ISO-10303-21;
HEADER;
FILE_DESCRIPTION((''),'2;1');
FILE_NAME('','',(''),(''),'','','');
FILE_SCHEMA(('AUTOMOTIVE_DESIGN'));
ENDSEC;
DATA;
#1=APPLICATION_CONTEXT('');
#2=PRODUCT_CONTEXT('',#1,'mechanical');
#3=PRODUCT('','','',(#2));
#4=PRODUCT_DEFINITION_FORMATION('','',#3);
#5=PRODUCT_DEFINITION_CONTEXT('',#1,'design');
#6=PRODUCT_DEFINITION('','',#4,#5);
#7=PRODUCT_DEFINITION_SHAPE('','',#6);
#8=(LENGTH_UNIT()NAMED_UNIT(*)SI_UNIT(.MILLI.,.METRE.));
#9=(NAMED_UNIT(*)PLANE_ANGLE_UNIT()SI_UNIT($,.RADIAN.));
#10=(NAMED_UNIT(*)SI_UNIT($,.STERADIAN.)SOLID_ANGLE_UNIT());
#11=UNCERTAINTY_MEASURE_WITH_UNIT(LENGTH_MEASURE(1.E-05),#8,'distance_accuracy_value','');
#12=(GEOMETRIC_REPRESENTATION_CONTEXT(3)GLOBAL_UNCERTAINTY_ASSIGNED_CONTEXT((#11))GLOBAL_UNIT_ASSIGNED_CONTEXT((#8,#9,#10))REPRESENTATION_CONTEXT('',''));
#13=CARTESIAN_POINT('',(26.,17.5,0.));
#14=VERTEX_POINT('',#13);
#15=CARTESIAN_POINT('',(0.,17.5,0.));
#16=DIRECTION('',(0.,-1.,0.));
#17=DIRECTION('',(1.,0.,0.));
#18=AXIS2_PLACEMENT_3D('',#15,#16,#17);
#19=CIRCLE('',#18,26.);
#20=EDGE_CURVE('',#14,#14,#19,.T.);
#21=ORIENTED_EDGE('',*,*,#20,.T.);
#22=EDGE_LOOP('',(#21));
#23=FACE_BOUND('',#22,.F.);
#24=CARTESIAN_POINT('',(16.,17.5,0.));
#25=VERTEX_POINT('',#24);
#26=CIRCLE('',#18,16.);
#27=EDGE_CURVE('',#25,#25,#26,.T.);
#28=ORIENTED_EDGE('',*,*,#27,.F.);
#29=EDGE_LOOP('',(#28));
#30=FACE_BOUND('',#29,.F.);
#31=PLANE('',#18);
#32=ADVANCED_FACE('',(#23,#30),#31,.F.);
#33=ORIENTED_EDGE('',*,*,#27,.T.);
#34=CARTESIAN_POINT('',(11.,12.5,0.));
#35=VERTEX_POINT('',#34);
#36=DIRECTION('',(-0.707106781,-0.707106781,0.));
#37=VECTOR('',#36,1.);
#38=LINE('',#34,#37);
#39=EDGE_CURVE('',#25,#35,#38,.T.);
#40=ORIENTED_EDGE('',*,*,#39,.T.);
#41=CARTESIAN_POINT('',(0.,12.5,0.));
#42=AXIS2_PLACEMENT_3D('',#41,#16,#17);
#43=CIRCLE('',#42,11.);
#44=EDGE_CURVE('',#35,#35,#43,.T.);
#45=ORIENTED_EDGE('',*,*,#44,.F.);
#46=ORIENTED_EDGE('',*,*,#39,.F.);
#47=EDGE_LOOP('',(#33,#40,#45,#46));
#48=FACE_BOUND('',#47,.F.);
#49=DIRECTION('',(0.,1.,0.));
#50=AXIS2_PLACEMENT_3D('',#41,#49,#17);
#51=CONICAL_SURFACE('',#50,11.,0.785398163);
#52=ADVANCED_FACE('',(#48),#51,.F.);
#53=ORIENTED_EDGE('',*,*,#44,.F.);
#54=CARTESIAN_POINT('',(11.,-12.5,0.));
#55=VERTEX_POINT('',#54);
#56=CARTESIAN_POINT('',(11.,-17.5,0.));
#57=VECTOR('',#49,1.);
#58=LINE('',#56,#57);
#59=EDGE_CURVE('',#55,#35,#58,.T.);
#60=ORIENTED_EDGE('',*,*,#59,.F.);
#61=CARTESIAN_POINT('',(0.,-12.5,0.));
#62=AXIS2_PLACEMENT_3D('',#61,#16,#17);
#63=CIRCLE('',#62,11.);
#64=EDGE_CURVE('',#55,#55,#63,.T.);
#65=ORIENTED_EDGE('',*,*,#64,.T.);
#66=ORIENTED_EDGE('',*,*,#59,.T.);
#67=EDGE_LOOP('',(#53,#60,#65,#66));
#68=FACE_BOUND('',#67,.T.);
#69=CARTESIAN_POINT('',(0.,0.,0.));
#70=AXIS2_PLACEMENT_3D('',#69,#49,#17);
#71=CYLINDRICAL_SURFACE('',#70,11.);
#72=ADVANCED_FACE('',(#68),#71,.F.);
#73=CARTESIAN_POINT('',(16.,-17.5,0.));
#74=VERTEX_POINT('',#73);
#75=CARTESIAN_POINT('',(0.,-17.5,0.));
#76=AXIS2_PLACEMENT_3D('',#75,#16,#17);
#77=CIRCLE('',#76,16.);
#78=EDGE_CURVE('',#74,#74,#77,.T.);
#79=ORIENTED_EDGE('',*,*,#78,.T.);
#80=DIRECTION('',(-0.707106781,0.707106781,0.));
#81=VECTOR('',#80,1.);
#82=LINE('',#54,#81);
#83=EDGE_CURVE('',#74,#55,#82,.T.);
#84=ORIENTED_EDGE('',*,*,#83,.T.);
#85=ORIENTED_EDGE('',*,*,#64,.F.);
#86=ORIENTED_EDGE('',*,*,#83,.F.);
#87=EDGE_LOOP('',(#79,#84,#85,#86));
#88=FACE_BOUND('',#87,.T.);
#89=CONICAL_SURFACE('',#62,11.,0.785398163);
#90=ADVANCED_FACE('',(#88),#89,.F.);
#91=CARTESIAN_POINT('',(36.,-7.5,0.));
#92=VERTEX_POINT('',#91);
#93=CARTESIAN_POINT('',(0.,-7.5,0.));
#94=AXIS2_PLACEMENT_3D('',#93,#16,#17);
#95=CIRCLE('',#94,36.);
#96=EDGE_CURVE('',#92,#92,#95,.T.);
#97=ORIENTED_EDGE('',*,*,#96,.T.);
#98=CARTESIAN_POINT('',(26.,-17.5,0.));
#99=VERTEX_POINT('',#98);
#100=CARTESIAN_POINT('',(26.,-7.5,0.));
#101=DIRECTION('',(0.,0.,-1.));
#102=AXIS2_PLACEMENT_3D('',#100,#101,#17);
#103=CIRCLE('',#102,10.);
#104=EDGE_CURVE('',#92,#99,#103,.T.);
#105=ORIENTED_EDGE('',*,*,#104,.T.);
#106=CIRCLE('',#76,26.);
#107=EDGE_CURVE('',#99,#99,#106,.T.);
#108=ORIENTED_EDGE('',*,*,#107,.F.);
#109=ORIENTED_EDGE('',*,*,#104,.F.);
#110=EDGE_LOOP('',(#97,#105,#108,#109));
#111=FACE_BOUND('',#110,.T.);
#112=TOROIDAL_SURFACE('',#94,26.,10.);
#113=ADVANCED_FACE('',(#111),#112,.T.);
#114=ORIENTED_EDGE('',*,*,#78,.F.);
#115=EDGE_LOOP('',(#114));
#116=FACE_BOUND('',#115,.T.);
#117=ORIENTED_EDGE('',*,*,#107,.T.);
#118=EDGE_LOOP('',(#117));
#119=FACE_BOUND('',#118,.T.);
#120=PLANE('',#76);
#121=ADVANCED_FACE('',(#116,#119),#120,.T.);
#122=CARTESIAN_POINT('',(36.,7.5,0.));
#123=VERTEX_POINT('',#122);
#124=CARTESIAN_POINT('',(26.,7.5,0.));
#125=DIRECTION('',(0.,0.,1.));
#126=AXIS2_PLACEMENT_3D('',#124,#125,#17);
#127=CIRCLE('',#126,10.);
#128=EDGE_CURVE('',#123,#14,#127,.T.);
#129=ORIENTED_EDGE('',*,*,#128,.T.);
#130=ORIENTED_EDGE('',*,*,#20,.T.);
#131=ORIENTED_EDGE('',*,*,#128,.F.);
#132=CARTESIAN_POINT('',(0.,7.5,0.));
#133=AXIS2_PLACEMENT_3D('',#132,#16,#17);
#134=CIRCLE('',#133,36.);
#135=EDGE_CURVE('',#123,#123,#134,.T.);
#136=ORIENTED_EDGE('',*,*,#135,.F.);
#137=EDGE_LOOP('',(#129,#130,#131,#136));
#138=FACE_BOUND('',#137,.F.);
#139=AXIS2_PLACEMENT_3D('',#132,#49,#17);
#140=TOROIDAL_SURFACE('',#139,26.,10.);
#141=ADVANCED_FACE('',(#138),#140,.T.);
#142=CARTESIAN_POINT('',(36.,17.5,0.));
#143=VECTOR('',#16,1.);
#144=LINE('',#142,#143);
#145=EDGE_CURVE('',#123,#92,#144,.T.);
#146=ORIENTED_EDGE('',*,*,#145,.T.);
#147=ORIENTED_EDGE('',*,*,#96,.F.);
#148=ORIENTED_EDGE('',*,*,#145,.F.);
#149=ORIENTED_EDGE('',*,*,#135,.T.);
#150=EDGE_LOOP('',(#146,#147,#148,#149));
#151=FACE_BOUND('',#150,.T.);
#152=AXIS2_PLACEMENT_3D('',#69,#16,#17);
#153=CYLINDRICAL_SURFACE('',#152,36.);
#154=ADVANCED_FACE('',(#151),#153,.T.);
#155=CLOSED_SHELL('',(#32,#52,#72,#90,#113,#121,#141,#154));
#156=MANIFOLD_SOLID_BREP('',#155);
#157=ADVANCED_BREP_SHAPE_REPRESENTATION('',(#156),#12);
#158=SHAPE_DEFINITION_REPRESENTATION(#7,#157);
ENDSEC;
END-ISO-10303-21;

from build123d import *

# Parameters (mm, degrees)
F0_R     = 36
F0_R_2   = 11
F1_DEPTH = 17.5
F2_R     = 10
F3_SIZE  = 5


with BuildPart() as f1:
    # F0 (on Front) → F1 (new body, symmetric)
    with BuildSketch(Plane.XZ):
        Circle(F0_R)
        Circle(F0_R_2, mode=Mode.SUBTRACT)
    extrude(amount=F1_DEPTH, both=True)

    # F2
    f2_edges = [f1.edges().sort_by_distance(p)[0] for p in [
        (-36, -17.5, 0),
        (-36, 17.5, 0),
    ]]
    fillet(f2_edges, radius=F2_R)

    # F3
    f3_edges = [f1.edges().sort_by_distance(p)[0] for p in [
        (36, 0, 0),
        (-36, 7.5, 0),
        (-36, -7.5, 0),
        (-11, -17.5, 0),
        (-11, 17.5, 0),
    ]]
    chamfer(f3_edges, length=F3_SIZE)


solid = f1.part
